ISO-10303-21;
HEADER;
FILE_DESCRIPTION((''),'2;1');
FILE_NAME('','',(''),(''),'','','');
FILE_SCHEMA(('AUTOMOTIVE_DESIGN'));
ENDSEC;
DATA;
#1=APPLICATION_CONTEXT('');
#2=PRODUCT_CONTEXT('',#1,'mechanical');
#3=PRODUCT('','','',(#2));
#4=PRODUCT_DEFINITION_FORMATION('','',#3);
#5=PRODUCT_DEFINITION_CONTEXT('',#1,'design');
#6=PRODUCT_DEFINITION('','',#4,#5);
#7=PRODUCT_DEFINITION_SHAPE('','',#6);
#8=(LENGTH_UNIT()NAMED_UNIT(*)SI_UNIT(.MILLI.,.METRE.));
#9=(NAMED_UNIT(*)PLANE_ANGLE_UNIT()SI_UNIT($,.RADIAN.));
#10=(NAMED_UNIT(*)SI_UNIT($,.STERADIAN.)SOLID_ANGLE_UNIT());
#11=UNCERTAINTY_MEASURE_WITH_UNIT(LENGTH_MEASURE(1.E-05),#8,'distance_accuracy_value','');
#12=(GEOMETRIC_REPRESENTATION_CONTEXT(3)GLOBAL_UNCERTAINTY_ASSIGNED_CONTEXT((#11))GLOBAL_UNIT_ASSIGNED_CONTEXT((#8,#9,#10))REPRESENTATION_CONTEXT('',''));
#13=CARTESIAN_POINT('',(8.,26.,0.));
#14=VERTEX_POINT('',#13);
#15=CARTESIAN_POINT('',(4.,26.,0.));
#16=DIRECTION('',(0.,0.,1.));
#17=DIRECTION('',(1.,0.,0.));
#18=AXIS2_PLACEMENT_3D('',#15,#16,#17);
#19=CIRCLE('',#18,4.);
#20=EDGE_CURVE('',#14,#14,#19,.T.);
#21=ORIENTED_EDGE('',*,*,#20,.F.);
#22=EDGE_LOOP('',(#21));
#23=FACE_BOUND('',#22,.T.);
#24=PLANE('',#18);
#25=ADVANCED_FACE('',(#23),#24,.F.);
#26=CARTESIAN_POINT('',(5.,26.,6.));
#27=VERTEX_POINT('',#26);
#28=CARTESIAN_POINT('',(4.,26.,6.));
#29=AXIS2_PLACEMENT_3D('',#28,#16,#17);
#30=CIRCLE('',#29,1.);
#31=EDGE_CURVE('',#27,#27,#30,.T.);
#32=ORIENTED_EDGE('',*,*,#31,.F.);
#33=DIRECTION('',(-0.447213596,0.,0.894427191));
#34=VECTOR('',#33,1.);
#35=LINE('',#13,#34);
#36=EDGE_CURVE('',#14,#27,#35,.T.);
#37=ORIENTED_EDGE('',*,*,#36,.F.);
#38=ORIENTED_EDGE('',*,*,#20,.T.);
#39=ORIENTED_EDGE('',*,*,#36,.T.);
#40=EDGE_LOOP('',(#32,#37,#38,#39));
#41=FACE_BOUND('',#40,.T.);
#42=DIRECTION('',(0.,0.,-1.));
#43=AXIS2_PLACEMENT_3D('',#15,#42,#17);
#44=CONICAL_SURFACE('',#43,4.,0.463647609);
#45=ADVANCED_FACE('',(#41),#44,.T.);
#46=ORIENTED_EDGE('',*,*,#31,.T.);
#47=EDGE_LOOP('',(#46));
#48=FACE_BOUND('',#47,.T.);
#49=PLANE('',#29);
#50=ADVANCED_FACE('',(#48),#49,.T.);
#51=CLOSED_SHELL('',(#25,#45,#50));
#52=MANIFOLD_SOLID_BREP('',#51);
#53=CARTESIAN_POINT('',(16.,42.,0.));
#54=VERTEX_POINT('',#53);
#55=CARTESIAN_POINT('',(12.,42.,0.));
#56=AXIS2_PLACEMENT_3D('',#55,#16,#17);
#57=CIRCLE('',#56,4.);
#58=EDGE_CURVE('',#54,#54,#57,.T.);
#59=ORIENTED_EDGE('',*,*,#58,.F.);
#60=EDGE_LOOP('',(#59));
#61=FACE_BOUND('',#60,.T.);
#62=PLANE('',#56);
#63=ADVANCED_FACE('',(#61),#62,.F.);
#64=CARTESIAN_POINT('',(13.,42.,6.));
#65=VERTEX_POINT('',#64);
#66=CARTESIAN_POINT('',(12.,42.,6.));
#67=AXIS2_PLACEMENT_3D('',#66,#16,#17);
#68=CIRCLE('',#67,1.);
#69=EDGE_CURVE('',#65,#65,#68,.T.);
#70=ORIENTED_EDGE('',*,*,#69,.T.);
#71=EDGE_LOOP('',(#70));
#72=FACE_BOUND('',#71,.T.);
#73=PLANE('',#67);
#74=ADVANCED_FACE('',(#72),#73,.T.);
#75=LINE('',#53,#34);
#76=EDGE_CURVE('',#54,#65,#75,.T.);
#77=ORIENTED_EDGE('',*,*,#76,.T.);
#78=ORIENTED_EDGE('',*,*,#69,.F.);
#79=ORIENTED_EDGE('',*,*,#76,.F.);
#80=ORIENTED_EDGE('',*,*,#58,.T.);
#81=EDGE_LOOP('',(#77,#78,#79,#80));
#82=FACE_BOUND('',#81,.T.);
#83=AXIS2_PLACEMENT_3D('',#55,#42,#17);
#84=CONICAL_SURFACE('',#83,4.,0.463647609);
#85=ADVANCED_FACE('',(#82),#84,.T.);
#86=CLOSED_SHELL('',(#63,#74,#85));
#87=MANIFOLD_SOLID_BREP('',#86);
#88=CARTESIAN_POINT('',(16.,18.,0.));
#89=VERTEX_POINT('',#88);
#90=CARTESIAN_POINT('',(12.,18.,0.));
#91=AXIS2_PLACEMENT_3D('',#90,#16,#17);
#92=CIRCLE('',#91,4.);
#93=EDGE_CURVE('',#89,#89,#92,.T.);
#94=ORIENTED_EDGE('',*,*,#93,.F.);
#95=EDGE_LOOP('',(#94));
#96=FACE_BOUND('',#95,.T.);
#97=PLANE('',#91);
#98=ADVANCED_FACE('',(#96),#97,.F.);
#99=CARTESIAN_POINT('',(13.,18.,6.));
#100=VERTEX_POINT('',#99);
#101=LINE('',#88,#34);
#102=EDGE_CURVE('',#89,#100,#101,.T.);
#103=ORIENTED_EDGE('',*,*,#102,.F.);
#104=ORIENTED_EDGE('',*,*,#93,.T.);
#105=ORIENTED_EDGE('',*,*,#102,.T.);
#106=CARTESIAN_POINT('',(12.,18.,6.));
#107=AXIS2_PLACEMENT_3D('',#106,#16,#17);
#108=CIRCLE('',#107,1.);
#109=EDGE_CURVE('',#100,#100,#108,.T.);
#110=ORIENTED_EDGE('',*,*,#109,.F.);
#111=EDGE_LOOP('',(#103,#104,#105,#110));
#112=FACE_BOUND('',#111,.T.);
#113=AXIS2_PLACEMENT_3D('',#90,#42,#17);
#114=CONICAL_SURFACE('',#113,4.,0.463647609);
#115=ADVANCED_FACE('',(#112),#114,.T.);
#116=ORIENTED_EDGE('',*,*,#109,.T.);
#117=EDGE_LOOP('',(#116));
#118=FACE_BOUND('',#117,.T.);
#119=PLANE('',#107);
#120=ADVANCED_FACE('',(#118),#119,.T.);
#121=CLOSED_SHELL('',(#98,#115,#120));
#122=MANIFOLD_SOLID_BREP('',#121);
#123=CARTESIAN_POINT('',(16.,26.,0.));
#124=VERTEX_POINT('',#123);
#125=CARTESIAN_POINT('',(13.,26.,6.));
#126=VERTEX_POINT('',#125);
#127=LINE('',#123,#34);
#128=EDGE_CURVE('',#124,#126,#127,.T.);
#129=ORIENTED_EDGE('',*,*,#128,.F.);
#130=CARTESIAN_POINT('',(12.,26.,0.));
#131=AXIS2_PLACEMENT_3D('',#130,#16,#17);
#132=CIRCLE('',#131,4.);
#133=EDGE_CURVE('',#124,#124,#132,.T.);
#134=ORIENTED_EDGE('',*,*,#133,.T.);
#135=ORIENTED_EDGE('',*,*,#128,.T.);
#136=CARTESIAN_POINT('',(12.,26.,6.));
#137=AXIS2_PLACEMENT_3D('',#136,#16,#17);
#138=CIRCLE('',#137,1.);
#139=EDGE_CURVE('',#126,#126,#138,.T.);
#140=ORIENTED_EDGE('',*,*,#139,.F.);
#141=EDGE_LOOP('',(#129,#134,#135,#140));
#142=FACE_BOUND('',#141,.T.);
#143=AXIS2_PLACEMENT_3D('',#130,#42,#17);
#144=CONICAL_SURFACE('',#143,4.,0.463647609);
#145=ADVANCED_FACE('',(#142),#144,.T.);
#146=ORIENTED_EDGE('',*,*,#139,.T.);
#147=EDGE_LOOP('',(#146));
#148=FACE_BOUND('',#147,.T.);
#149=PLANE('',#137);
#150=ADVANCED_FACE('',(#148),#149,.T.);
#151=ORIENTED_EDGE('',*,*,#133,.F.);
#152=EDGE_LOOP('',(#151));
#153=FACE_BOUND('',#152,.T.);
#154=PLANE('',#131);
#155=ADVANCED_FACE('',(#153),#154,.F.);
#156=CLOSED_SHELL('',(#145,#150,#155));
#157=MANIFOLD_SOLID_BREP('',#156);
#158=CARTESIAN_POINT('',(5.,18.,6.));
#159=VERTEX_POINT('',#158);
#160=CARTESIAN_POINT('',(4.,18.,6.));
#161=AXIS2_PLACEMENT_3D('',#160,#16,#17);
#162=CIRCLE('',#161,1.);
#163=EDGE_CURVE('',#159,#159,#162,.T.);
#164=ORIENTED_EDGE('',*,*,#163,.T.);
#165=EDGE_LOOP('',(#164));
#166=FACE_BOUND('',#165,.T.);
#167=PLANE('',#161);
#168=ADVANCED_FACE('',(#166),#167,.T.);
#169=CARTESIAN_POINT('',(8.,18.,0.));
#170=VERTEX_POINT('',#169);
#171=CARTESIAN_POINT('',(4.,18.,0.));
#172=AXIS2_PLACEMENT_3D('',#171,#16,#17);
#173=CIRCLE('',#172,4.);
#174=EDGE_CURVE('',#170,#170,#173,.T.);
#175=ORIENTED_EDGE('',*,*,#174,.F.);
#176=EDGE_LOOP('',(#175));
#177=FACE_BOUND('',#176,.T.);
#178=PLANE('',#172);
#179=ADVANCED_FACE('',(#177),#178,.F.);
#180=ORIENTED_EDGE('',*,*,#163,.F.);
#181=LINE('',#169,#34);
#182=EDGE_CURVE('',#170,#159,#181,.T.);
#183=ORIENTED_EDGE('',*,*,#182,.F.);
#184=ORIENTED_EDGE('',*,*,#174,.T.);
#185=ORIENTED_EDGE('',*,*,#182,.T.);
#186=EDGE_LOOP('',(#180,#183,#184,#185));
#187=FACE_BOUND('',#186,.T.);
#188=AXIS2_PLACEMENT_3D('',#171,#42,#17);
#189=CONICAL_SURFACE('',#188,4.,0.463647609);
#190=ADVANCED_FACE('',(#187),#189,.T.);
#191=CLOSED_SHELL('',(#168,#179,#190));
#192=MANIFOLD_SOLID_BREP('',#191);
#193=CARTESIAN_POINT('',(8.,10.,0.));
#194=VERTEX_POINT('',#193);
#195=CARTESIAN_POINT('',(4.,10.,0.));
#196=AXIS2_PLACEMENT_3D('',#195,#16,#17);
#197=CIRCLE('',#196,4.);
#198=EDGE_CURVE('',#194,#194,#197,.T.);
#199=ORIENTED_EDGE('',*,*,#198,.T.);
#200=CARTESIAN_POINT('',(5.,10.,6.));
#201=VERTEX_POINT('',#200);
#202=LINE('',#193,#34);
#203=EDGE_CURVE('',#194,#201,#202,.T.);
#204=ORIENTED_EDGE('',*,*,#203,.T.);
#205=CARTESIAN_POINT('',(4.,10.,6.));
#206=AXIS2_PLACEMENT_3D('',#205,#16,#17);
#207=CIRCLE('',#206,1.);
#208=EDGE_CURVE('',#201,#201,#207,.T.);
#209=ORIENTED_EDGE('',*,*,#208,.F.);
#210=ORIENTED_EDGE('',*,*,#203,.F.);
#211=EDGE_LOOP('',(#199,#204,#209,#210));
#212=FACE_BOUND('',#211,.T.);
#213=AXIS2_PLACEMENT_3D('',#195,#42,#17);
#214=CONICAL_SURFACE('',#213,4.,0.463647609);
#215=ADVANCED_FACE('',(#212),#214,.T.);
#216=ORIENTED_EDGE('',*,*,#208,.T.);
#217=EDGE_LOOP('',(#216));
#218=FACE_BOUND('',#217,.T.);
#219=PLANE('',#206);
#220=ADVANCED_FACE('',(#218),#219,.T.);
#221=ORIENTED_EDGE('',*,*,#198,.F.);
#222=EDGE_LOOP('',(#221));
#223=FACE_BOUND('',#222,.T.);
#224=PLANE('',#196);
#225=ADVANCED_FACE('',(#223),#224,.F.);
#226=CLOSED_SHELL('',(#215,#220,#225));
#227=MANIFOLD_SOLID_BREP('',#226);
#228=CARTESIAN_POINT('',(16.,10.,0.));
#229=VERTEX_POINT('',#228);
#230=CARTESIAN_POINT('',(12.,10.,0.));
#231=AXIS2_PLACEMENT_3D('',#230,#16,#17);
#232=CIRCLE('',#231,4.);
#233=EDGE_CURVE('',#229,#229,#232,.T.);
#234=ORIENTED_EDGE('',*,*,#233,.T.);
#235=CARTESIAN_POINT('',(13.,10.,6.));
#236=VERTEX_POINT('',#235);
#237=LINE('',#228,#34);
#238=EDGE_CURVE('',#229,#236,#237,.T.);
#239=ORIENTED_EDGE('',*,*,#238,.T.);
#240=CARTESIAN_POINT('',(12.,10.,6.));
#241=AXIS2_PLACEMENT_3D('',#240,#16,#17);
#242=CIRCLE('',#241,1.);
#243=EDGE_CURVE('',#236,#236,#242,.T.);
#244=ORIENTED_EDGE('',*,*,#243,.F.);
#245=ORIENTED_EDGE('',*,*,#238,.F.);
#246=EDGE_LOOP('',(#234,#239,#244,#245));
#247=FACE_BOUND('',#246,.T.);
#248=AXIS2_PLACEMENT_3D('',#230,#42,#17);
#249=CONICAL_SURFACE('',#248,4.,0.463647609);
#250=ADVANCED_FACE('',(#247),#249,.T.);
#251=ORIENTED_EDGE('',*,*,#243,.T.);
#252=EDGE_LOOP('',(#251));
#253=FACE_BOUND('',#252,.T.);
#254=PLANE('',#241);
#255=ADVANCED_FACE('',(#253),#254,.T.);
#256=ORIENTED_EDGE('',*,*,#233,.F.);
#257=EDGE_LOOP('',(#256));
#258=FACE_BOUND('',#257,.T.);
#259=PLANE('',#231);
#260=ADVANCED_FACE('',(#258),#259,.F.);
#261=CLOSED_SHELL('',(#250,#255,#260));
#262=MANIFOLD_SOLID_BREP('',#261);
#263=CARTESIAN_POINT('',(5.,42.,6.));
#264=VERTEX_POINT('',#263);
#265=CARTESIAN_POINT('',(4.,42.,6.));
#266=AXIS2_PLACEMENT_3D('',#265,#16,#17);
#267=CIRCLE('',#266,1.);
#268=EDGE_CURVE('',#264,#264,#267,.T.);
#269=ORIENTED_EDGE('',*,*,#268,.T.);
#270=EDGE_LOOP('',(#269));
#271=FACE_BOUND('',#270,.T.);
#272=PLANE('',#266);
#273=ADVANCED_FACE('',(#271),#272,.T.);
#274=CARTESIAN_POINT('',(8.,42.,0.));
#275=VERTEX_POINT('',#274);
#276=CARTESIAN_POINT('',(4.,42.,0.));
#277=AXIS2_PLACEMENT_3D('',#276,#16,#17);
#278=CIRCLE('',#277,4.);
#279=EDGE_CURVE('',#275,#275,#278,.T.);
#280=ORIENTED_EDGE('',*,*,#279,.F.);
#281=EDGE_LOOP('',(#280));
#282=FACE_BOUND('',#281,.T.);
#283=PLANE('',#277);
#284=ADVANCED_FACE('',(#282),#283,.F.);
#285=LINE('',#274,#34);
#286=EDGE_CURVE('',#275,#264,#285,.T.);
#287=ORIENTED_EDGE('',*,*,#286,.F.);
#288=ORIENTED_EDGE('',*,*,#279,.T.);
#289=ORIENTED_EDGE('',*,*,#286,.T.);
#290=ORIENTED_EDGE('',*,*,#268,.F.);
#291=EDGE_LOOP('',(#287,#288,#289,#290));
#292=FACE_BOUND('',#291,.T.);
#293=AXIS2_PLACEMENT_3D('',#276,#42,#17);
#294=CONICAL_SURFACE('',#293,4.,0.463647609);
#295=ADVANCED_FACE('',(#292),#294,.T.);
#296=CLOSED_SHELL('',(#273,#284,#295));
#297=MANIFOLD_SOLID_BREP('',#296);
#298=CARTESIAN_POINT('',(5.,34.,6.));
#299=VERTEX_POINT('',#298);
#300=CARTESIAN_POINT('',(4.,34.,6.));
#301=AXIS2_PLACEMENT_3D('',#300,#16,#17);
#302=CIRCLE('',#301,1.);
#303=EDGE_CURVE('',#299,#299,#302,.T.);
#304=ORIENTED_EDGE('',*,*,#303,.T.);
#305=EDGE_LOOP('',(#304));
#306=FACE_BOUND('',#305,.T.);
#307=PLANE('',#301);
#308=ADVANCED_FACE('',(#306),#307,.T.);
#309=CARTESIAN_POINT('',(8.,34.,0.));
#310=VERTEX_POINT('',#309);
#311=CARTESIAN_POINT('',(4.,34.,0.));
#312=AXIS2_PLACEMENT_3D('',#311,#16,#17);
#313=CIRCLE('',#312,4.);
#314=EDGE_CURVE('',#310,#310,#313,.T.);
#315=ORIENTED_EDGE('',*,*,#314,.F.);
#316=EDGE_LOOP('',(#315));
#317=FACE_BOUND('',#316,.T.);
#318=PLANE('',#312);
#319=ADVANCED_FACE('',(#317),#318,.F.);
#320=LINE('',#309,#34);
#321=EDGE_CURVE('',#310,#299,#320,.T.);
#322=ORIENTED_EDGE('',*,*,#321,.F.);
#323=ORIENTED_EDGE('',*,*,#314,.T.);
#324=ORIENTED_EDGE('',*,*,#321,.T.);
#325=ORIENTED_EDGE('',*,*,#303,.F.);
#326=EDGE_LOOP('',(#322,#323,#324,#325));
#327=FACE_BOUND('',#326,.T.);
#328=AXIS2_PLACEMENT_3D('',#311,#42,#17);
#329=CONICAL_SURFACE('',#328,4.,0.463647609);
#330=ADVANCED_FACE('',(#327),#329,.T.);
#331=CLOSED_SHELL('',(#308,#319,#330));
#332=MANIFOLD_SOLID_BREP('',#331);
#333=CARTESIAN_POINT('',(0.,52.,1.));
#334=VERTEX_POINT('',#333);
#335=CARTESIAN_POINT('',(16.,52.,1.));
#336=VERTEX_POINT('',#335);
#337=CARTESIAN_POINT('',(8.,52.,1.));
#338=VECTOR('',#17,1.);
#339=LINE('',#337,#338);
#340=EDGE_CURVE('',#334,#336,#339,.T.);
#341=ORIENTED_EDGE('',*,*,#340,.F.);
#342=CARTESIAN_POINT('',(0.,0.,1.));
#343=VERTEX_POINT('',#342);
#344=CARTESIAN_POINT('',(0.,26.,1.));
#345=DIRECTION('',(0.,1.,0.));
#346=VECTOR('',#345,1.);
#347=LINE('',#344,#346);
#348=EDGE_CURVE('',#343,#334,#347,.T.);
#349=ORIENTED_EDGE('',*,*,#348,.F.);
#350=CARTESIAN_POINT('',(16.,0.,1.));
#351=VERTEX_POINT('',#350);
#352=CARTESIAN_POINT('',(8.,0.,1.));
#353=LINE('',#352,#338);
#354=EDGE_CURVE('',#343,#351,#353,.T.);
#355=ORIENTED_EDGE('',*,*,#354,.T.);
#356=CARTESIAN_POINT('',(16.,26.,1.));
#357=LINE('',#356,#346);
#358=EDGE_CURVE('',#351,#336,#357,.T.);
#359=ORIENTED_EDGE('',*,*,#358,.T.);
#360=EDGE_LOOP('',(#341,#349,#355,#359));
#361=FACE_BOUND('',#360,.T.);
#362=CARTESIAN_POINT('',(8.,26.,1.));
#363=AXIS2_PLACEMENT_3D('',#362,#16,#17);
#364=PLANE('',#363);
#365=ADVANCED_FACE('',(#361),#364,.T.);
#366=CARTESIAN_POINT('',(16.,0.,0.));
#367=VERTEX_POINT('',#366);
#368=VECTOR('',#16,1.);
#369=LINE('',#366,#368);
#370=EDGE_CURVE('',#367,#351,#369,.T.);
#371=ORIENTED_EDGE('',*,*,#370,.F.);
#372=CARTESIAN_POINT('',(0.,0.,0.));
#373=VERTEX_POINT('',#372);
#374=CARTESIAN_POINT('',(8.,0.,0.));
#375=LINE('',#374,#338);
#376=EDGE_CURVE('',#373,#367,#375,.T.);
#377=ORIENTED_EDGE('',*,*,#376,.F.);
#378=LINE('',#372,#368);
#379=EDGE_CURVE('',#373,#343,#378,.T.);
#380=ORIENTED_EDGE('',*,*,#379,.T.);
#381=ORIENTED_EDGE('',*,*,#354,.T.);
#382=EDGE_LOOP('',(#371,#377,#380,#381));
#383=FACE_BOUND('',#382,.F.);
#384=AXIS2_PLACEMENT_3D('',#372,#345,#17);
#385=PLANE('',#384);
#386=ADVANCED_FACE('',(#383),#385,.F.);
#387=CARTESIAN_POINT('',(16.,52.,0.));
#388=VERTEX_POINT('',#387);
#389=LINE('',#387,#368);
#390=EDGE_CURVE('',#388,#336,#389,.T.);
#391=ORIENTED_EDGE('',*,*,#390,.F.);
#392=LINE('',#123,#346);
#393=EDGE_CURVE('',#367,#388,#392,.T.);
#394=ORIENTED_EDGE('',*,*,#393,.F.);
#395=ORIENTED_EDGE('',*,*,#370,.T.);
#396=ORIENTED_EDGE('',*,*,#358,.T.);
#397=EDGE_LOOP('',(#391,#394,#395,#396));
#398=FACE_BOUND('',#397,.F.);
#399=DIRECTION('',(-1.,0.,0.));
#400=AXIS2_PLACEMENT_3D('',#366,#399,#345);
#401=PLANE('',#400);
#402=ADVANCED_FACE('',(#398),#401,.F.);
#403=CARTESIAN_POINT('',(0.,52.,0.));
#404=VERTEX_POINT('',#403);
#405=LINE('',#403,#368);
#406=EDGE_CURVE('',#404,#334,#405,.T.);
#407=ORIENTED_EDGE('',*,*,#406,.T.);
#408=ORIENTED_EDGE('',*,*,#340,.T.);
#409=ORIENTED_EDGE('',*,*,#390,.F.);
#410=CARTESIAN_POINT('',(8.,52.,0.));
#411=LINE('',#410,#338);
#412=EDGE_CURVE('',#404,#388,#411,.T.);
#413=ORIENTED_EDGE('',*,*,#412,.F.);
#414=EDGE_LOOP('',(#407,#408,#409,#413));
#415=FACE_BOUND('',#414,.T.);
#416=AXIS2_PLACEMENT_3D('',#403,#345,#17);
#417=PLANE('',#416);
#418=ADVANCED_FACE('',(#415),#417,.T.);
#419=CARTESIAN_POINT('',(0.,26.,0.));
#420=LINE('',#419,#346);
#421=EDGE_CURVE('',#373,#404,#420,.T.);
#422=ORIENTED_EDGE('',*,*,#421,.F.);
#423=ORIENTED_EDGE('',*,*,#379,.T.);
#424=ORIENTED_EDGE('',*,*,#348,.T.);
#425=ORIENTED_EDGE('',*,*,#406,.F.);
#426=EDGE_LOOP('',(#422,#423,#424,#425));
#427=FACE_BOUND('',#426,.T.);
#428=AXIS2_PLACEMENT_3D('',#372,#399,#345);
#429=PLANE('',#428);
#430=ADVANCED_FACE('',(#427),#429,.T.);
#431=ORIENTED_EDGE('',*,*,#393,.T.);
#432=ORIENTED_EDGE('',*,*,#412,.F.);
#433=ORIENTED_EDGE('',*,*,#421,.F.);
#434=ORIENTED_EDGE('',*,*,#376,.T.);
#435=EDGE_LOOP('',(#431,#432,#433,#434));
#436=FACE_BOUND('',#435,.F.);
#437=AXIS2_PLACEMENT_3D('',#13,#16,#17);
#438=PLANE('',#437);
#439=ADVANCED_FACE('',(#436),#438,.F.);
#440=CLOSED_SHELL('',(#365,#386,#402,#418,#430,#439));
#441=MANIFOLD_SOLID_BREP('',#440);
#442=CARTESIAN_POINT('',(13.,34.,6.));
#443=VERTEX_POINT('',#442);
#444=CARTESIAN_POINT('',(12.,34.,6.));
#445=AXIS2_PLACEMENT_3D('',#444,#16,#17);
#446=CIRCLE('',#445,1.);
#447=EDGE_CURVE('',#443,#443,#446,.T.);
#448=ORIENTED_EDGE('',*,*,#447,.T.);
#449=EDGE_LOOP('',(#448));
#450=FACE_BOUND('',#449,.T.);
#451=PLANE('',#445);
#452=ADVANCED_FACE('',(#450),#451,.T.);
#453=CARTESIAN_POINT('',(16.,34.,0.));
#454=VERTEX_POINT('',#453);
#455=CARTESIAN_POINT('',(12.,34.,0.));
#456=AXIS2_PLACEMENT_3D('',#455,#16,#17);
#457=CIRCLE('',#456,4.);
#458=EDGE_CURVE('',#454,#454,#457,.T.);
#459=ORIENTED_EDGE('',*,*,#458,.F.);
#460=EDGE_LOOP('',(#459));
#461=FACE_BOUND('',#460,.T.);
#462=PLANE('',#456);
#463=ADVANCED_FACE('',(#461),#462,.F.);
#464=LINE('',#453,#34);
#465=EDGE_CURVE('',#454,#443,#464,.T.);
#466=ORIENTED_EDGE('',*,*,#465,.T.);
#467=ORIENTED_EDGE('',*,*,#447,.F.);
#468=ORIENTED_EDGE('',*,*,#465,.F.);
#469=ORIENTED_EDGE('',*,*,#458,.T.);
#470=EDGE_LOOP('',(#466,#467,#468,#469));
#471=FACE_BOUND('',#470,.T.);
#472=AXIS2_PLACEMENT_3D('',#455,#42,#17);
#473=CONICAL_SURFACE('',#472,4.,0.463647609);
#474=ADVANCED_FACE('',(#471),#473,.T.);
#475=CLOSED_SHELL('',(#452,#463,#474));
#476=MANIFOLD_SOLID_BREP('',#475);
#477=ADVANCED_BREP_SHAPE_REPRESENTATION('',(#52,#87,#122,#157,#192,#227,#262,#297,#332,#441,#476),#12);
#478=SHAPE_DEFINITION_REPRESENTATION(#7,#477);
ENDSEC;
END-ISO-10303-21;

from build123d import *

# Parameters (mm, degrees)
BOX_W     = 16
BOX_H     = 52
BOX_DEPTH = 1


with BuildPart() as cubo:
    # Box → Box (new body)
    with BuildSketch(Plane.XY):
        with Locations((8, 26)):
            Rectangle(BOX_W, BOX_H)
    extrude(amount=BOX_DEPTH)


with BuildPart() as cono:
    # Cone → Cone (revolve)
    with BuildSketch(Plane(origin=(4, 10, 0), x_dir=(1, 0, 0), z_dir=(0, -1, 0))):
        Polygon((0, 0), (4, 0), (1, 6), (0, 6), align=None)
    revolve(axis=Axis((4, 10, 0), (0, 0, 1)))


with BuildPart() as cono001:
    # Cone001 → Cone001 (revolve)
    with BuildSketch(Plane(origin=(12, 10, 0), x_dir=(1, 0, 0), z_dir=(0, -1, 0))):
        Polygon((0, 0), (4, 0), (1, 6), (0, 6), align=None)
    revolve(axis=Axis((12, 10, 0), (0, 0, 1)))


with BuildPart() as cono002:
    # Cone002 → Cone002 (revolve)
    with BuildSketch(Plane(origin=(4, 18, 0), x_dir=(1, 0, 0), z_dir=(0, -1, 0))):
        Polygon((0, 0), (4, 0), (1, 6), (0, 6), align=None)
    revolve(axis=Axis((4, 18, 0), (0, 0, 1)))


with BuildPart() as cono003:
    # Cone003 → Cone003 (revolve)
    with BuildSketch(Plane(origin=(12, 18, 0), x_dir=(1, 0, 0), z_dir=(0, -1, 0))):
        Polygon((0, 0), (4, 0), (1, 6), (0, 6), align=None)
    revolve(axis=Axis((12, 18, 0), (0, 0, 1)))


with BuildPart() as cono004:
    # Cone004 → Cone004 (revolve)
    with BuildSketch(Plane(origin=(4, 26, 0), x_dir=(1, 0, 0), z_dir=(0, -1, 0))):
        Polygon((0, 0), (4, 0), (1, 6), (0, 6), align=None)
    revolve(axis=Axis((4, 26, 0), (0, 0, 1)))


with BuildPart() as cono005:
    # Cone005 → Cone005 (revolve)
    with BuildSketch(Plane(origin=(12, 26, 0), x_dir=(1, 0, 0), z_dir=(0, -1, 0))):
        Polygon((0, 0), (4, 0), (1, 6), (0, 6), align=None)
    revolve(axis=Axis((12, 26, 0), (0, 0, 1)))


with BuildPart() as cono006:
    # Cone006 → Cone006 (revolve)
    with BuildSketch(Plane(origin=(4, 34, 0), x_dir=(1, 0, 0), z_dir=(0, -1, 0))):
        Polygon((0, 0), (4, 0), (1, 6), (0, 6), align=None)
    revolve(axis=Axis((4, 34, 0), (0, 0, 1)))


with BuildPart() as cono007:
    # Cone007 → Cone007 (revolve)
    with BuildSketch(Plane(origin=(12, 34, 0), x_dir=(1, 0, 0), z_dir=(0, -1, 0))):
        Polygon((0, 0), (4, 0), (1, 6), (0, 6), align=None)
    revolve(axis=Axis((12, 34, 0), (0, 0, 1)))


with BuildPart() as cono008:
    # Cone008 → Cone008 (revolve)
    with BuildSketch(Plane(origin=(4, 42, 0), x_dir=(1, 0, 0), z_dir=(0, -1, 0))):
        Polygon((0, 0), (4, 0), (1, 6), (0, 6), align=None)
    revolve(axis=Axis((4, 42, 0), (0, 0, 1)))


with BuildPart() as cono009:
    # Cone009 → Cone009 (revolve)
    with BuildSketch(Plane(origin=(12, 42, 0), x_dir=(1, 0, 0), z_dir=(0, -1, 0))):
        Polygon((0, 0), (4, 0), (1, 6), (0, 6), align=None)
    revolve(axis=Axis((12, 42, 0), (0, 0, 1)))


solid = Compound([cubo.part, cono.part, cono001.part, cono002.part, cono003.part, cono004.part, cono005.part, cono006.part, cono007.part, cono008.part, cono009.part])
